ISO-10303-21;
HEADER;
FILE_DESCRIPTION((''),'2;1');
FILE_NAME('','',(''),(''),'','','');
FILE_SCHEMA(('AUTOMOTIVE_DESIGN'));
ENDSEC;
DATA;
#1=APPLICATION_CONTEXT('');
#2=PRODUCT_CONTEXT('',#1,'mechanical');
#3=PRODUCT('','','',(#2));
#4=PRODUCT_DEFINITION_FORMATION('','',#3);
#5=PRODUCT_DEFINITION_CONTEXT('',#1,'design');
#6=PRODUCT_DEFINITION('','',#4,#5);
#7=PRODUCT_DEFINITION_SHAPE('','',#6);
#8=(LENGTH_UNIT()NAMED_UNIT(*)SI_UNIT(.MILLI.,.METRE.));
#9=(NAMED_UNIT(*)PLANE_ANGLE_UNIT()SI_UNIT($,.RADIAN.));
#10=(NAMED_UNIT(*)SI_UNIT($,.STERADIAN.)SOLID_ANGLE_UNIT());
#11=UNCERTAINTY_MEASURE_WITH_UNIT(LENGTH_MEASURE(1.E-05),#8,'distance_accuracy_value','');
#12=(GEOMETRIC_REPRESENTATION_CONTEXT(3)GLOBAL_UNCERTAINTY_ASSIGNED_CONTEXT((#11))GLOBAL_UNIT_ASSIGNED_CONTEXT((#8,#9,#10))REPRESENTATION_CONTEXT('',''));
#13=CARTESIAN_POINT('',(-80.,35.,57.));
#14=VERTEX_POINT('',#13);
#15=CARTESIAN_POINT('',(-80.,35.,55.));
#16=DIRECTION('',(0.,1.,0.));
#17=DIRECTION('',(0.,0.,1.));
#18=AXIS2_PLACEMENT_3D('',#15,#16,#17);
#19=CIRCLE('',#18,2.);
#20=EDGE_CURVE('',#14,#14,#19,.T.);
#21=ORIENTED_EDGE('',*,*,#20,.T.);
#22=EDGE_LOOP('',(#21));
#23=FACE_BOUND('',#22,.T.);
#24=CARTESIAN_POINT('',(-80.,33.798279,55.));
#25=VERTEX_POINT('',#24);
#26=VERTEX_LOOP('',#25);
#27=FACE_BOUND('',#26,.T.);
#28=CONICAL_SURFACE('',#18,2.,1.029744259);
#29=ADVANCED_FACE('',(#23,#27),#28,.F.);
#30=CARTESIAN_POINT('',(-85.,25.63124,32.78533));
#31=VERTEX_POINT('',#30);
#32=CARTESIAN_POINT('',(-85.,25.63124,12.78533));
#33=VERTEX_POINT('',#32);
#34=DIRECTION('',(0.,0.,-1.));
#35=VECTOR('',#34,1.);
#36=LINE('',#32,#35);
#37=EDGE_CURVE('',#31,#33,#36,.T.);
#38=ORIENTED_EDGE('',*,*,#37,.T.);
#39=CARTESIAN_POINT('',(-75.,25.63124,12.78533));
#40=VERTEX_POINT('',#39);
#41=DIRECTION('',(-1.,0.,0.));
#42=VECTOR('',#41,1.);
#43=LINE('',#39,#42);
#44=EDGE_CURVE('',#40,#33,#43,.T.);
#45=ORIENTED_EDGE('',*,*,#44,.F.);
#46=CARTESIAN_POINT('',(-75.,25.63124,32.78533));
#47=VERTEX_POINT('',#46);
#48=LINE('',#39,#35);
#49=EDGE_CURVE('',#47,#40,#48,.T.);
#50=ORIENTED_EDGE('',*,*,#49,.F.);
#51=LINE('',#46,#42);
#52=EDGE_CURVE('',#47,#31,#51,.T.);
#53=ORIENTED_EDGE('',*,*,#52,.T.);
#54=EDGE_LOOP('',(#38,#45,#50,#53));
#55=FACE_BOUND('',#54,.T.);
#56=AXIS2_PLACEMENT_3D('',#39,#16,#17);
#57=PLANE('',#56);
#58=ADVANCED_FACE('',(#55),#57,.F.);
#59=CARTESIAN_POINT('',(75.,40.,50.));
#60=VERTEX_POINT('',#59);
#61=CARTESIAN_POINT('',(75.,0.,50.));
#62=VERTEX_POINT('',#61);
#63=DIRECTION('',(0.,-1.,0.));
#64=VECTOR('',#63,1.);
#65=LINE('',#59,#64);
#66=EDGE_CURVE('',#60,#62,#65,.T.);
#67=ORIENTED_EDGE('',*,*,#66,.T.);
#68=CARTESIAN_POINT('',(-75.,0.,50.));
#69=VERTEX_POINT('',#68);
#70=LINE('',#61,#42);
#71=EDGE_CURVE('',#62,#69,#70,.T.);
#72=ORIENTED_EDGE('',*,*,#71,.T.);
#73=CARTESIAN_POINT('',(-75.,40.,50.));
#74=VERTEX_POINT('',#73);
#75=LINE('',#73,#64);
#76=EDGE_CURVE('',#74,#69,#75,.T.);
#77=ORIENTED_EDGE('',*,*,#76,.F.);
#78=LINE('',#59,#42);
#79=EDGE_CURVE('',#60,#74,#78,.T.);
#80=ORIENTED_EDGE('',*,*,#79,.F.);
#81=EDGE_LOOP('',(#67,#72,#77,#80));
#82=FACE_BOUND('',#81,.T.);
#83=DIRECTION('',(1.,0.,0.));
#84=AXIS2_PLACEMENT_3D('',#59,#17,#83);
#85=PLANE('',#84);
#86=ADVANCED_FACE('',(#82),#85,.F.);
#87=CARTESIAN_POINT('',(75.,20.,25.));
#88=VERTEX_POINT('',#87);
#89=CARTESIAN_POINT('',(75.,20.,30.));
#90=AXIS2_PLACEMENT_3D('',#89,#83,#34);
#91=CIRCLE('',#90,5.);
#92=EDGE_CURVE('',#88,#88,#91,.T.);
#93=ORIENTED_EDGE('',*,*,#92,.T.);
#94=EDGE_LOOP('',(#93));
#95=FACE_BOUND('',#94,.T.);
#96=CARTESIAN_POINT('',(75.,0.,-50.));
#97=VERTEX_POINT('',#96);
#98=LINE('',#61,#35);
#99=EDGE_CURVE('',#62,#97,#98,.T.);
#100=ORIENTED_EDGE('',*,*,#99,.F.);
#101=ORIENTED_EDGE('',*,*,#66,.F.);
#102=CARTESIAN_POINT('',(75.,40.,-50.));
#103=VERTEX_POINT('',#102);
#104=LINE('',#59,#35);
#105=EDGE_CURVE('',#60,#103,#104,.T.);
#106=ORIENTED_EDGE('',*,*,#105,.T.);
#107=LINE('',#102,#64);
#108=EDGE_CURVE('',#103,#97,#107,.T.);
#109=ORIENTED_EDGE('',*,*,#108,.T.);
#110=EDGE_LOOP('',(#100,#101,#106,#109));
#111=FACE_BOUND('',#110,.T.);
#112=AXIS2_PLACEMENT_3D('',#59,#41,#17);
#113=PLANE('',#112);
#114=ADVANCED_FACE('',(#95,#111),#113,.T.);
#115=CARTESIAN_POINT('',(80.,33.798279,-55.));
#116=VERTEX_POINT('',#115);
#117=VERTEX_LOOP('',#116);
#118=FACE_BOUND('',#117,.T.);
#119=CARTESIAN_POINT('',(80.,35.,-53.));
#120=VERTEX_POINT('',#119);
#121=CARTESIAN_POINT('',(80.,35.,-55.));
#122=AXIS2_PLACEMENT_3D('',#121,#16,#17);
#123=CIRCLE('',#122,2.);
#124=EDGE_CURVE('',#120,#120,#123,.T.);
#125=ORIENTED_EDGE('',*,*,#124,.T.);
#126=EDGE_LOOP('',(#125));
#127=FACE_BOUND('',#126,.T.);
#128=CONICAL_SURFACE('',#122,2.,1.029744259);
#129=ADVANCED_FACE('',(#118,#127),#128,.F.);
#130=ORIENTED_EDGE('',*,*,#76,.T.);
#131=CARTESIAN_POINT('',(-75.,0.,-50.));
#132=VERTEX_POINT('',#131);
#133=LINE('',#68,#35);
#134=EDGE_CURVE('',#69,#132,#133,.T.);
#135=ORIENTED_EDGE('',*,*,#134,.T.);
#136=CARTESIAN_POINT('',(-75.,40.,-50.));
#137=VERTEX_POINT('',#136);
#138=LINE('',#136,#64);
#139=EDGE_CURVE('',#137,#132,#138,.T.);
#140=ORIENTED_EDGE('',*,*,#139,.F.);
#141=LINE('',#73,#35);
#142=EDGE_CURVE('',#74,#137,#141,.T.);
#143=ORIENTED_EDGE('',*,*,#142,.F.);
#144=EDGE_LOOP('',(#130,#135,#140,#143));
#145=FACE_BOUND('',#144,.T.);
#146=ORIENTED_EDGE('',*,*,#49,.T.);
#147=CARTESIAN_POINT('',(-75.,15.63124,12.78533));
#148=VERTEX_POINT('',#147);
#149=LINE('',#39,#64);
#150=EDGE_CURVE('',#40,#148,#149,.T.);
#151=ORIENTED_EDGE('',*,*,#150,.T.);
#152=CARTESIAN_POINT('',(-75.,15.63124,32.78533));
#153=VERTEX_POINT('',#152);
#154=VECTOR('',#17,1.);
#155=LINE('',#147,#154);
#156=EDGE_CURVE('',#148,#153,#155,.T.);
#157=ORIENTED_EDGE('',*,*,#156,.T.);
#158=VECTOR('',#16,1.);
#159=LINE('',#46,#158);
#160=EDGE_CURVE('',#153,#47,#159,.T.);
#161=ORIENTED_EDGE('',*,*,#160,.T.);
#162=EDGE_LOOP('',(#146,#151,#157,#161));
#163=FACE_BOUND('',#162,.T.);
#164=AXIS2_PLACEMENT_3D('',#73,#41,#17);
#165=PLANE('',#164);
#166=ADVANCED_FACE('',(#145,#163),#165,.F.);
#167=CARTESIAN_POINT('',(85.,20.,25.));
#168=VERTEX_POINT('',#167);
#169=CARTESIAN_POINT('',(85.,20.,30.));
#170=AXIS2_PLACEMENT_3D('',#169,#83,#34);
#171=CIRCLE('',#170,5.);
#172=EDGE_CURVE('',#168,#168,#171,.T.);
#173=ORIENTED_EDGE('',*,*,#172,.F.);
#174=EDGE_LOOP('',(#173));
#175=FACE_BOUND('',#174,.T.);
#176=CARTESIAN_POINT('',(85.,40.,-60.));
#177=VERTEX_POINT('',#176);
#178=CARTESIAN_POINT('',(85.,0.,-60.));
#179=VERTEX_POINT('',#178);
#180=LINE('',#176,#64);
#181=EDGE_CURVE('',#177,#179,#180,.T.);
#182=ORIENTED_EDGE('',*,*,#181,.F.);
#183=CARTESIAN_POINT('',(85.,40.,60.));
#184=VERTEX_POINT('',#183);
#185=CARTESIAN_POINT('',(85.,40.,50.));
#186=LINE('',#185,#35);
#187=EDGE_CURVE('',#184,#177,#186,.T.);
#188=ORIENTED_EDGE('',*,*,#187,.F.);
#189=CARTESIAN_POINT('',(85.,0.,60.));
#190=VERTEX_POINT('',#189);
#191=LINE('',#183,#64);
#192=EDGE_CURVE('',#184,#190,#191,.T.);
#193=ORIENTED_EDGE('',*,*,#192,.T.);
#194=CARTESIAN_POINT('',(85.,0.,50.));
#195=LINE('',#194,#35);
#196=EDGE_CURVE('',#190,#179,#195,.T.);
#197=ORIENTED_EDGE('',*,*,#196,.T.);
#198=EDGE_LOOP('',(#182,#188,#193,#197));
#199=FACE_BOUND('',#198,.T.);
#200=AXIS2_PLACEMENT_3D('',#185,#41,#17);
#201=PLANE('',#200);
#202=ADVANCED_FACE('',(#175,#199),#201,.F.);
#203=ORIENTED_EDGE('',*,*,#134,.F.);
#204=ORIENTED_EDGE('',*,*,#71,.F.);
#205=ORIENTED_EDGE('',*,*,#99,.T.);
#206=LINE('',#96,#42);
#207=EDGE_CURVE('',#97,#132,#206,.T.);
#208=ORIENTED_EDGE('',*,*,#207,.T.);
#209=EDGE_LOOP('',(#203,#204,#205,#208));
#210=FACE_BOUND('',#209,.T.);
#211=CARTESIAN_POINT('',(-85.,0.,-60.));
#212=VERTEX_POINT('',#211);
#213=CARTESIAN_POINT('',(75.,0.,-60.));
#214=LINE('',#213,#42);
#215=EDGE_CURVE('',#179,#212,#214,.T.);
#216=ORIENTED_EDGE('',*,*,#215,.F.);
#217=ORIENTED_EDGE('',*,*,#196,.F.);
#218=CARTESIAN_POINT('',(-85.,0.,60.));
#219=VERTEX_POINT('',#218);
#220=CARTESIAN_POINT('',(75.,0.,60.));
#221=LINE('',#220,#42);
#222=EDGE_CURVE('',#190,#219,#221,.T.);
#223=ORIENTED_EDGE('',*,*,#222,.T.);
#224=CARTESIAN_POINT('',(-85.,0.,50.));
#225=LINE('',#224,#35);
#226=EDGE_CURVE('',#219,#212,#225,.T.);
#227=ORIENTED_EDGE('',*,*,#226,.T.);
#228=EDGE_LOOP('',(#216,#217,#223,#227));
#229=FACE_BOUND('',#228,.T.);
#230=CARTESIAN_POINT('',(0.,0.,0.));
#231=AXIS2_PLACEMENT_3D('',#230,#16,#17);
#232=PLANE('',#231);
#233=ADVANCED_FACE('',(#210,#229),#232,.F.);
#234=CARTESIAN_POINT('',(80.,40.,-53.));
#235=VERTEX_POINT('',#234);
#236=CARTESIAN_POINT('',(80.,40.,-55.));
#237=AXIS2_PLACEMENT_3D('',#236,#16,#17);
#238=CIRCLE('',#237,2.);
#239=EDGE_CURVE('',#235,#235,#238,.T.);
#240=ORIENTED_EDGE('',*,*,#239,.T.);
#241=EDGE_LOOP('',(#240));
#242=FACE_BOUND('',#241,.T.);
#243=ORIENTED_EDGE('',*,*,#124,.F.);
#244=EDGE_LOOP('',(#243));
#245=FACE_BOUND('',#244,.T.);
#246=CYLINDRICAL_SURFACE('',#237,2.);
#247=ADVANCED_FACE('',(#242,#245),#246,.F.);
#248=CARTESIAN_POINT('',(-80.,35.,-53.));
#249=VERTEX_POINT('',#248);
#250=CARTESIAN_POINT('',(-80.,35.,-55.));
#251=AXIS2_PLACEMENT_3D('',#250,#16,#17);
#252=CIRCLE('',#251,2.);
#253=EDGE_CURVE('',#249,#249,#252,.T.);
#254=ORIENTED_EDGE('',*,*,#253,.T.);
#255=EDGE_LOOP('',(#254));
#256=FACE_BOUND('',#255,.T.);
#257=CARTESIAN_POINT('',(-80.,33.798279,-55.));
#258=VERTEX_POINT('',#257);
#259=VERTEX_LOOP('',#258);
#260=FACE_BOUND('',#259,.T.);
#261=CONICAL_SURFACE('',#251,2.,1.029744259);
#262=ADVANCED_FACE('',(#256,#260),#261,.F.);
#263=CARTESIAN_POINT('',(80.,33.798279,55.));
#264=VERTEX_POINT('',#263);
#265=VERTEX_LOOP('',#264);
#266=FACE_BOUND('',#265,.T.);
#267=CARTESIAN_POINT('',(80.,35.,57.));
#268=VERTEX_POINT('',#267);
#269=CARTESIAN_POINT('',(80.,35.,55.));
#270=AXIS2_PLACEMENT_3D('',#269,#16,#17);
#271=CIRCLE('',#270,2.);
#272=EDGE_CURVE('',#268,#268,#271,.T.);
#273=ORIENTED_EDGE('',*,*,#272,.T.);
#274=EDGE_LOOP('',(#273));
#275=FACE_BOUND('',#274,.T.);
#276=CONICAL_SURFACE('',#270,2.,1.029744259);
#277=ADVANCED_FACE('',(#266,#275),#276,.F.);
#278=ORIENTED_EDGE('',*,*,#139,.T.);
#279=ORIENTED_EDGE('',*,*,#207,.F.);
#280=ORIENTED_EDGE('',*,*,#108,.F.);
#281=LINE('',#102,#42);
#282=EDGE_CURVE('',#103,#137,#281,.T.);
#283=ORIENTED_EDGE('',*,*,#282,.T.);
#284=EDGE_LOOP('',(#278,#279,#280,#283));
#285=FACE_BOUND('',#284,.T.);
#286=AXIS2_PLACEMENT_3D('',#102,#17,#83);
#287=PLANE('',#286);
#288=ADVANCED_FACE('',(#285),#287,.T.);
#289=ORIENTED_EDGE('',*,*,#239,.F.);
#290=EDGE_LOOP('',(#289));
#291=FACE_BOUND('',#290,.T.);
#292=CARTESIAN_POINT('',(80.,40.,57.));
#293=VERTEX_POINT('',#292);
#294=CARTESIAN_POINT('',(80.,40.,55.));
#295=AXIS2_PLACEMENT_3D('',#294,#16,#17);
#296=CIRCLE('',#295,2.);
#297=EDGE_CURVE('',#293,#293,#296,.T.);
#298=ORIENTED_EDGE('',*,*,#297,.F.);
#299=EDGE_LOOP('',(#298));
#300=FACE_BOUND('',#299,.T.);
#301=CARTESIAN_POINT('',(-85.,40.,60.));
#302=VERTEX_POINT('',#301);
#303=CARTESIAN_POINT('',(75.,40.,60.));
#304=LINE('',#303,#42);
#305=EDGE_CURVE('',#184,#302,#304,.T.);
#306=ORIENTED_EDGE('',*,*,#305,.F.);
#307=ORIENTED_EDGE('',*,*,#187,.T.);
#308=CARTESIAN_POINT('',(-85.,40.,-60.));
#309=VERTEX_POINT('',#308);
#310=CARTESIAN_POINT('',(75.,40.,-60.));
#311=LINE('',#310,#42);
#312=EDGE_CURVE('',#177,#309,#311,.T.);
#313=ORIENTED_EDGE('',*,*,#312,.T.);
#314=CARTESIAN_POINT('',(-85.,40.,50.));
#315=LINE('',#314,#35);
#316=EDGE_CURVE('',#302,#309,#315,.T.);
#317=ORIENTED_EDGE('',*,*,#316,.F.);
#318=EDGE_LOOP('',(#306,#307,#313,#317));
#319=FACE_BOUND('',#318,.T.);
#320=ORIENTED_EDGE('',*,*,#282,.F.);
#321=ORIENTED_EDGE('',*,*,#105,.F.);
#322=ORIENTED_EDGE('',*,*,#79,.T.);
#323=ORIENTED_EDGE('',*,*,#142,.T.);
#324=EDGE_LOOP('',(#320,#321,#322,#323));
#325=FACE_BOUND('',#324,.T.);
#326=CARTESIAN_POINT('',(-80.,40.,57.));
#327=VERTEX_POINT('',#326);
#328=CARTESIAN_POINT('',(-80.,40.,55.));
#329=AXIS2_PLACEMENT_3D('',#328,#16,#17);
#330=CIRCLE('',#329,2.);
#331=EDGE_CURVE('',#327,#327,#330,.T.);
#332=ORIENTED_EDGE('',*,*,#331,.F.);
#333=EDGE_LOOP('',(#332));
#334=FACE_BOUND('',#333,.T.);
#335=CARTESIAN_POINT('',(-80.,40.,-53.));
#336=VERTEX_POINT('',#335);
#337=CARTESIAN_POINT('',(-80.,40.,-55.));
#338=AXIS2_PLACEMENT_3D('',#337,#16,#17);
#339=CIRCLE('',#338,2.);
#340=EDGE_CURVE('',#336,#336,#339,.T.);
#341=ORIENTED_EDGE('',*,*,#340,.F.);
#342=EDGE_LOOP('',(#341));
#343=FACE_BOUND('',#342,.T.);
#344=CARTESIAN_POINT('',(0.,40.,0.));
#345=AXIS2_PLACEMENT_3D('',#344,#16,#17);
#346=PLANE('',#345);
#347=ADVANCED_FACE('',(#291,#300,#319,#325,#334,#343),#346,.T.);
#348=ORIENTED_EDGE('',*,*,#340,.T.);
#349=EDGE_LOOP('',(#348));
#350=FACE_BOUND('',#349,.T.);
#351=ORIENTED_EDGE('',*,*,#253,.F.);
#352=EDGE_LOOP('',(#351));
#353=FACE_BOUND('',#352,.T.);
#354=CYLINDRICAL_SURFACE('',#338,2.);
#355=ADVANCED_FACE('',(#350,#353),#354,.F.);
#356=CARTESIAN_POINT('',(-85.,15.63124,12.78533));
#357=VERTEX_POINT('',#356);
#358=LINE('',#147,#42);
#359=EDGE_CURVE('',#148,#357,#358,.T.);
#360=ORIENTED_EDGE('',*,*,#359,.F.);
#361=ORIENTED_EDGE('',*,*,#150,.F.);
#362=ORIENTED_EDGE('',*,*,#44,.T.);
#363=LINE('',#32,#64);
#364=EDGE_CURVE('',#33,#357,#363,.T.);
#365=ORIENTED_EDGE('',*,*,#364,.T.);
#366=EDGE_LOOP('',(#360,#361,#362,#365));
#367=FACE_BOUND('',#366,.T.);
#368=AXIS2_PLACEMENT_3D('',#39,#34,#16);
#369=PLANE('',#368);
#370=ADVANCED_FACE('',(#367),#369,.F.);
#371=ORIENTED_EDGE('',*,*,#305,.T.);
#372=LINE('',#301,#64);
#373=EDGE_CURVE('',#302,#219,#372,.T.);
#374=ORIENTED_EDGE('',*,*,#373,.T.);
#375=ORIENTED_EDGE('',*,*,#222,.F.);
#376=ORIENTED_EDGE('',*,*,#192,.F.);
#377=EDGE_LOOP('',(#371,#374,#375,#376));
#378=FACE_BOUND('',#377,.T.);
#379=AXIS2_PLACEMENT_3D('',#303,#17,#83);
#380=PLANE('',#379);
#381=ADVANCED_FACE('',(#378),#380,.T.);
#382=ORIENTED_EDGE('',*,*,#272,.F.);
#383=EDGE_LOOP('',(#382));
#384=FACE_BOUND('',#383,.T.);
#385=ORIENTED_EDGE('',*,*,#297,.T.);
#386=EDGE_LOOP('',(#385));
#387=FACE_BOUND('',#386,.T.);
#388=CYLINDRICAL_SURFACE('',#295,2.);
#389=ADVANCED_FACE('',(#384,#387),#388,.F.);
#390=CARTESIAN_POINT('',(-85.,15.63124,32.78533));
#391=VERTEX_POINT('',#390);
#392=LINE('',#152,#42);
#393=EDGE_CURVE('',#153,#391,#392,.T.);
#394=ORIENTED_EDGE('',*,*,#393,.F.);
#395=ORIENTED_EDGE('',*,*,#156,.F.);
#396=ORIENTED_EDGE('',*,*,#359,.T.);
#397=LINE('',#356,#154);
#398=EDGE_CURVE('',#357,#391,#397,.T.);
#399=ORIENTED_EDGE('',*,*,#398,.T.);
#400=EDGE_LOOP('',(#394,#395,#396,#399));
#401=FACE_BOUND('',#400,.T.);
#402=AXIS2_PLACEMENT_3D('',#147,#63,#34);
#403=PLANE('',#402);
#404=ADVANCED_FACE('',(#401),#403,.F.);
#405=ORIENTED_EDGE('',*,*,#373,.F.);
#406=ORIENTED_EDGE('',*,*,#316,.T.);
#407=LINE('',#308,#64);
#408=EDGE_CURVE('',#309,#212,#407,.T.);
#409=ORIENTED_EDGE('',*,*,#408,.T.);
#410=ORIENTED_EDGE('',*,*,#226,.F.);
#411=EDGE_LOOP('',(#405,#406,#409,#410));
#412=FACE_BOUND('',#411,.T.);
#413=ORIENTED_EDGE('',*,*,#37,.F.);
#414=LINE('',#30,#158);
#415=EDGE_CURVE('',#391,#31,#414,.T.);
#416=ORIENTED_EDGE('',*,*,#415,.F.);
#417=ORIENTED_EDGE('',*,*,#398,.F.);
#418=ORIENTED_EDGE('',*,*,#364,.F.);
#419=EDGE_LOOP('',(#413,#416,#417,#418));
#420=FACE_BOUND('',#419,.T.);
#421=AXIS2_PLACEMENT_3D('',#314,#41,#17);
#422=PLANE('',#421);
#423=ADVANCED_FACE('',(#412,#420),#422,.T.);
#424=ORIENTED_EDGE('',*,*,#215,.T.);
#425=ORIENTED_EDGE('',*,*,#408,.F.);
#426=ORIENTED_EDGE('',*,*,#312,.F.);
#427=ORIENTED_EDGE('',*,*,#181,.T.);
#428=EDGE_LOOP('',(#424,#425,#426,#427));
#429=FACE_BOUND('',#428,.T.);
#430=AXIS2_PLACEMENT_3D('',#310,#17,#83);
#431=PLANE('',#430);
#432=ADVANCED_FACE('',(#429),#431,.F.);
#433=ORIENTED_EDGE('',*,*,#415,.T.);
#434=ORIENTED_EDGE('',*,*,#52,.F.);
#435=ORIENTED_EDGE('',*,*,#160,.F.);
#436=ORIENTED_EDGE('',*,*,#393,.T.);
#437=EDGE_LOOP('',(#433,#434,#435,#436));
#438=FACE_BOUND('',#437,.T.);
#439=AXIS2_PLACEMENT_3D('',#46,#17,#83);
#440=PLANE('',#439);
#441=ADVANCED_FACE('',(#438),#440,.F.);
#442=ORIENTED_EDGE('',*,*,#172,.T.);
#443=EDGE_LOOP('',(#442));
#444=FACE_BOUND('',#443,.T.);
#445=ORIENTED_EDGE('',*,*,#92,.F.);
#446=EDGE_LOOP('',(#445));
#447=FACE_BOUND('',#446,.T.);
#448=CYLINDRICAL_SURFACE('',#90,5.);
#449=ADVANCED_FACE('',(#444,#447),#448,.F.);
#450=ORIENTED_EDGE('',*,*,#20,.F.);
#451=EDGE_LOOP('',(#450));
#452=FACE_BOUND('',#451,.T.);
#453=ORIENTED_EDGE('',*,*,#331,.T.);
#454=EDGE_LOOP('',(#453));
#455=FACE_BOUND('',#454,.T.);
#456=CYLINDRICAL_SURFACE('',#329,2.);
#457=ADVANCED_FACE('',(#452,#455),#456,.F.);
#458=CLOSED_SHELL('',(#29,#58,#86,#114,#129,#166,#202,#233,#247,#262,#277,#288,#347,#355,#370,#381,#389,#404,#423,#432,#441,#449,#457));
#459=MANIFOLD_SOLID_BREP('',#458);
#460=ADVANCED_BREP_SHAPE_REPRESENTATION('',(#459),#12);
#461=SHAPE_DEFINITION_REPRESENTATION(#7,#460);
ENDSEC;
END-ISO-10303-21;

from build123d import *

# Parameters (mm, degrees)
SKETCH1_W                 = 170
SKETCH1_H                 = 120
SKETCH1_W_2               = 150
SKETCH1_H_2               = 100
EXTRUDE_THIN1_DEPTH       = 40
SKETCH2_R                 = 5
CUT_EXTRUDE1_DEPTH        = 10
F_4_0MM_DOWEL_HOLE1_D     = 4
F_4_0MM_DOWEL_HOLE1_DEPTH = 5
F_4_0MM_DOWEL_HOLE1_TIP   = 1.201721238
F_4_0MM_DOWEL_HOLE2_D     = 4
F_4_0MM_DOWEL_HOLE2_DEPTH = 5
F_4_0MM_DOWEL_HOLE2_TIP   = 1.201721238
F_4_0MM_DOWEL_HOLE3_D     = 4
F_4_0MM_DOWEL_HOLE3_DEPTH = 5
F_4_0MM_DOWEL_HOLE3_TIP   = 1.201721238
F_4_0MM_DOWEL_HOLE4_D     = 4
F_4_0MM_DOWEL_HOLE4_DEPTH = 5
F_4_0MM_DOWEL_HOLE4_TIP   = 1.201721238
SKETCH15_W                = 20
SKETCH15_H                = 10
CUT_EXTRUDE7_DEPTH        = 10


with BuildPart() as part:
    # Sketch1 → Extrude-Thin1 (new body)
    with BuildSketch(Plane(origin=(0, 0, 0), x_dir=(1, 0, 0), z_dir=(0, 1, 0))):
        Rectangle(SKETCH1_W, SKETCH1_H)
        Rectangle(SKETCH1_W_2, SKETCH1_H_2, mode=Mode.SUBTRACT)
    extrude(amount=EXTRUDE_THIN1_DEPTH)

    # Sketch2 → Cut-Extrude1 (cut)
    with BuildSketch(Plane(origin=(85, 0, 0), x_dir=(0, 0, -1), z_dir=(1, 0, 0))):
        with Locations((-30, 20)):
            Circle(SKETCH2_R)
    extrude(amount=-CUT_EXTRUDE1_DEPTH, mode=Mode.SUBTRACT)

    # Ø4.0mm Dowel Hole1
    with Locations(Plane(origin=(0, 40, 0), x_dir=(1, 0, 0), z_dir=(0, 1, 0))):
        with Locations((-80, 55)):
            Hole(F_4_0MM_DOWEL_HOLE1_D / 2, depth=F_4_0MM_DOWEL_HOLE1_DEPTH)
            with Locations((0, 0, -(F_4_0MM_DOWEL_HOLE1_DEPTH + F_4_0MM_DOWEL_HOLE1_TIP / 2))):  # 118° drill point
                Cone(0, F_4_0MM_DOWEL_HOLE1_D / 2, F_4_0MM_DOWEL_HOLE1_TIP, mode=Mode.SUBTRACT)

    # Ø4.0mm Dowel Hole2
    with Locations(Plane(origin=(0, 40, 0), x_dir=(1, 0, 0), z_dir=(0, 1, 0))):
        with Locations((-80, -55)):
            Hole(F_4_0MM_DOWEL_HOLE2_D / 2, depth=F_4_0MM_DOWEL_HOLE2_DEPTH)
            with Locations((0, 0, -(F_4_0MM_DOWEL_HOLE2_DEPTH + F_4_0MM_DOWEL_HOLE2_TIP / 2))):  # 118° drill point
                Cone(0, F_4_0MM_DOWEL_HOLE2_D / 2, F_4_0MM_DOWEL_HOLE2_TIP, mode=Mode.SUBTRACT)

    # Ø4.0mm Dowel Hole3
    with Locations(Plane(origin=(0, 40, 0), x_dir=(1, 0, 0), z_dir=(0, 1, 0))):
        with Locations((80, -55)):
            Hole(F_4_0MM_DOWEL_HOLE3_D / 2, depth=F_4_0MM_DOWEL_HOLE3_DEPTH)
            with Locations((0, 0, -(F_4_0MM_DOWEL_HOLE3_DEPTH + F_4_0MM_DOWEL_HOLE3_TIP / 2))):  # 118° drill point
                Cone(0, F_4_0MM_DOWEL_HOLE3_D / 2, F_4_0MM_DOWEL_HOLE3_TIP, mode=Mode.SUBTRACT)

    # Ø4.0mm Dowel Hole4
    with Locations(Plane(origin=(0, 40, 0), x_dir=(1, 0, 0), z_dir=(0, 1, 0))):
        with Locations((80, 55)):
            Hole(F_4_0MM_DOWEL_HOLE4_D / 2, depth=F_4_0MM_DOWEL_HOLE4_DEPTH)
            with Locations((0, 0, -(F_4_0MM_DOWEL_HOLE4_DEPTH + F_4_0MM_DOWEL_HOLE4_TIP / 2))):  # 118° drill point
                Cone(0, F_4_0MM_DOWEL_HOLE4_D / 2, F_4_0MM_DOWEL_HOLE4_TIP, mode=Mode.SUBTRACT)

    # Sketch15 → Cut-Extrude7 (cut)
    with BuildSketch(Plane.ZY.offset(85)):
        with Locations((22.785330455, 20.631239888)):
            Rectangle(SKETCH15_W, SKETCH15_H)
    extrude(amount=-CUT_EXTRUDE7_DEPTH, mode=Mode.SUBTRACT)


solid = part.part
